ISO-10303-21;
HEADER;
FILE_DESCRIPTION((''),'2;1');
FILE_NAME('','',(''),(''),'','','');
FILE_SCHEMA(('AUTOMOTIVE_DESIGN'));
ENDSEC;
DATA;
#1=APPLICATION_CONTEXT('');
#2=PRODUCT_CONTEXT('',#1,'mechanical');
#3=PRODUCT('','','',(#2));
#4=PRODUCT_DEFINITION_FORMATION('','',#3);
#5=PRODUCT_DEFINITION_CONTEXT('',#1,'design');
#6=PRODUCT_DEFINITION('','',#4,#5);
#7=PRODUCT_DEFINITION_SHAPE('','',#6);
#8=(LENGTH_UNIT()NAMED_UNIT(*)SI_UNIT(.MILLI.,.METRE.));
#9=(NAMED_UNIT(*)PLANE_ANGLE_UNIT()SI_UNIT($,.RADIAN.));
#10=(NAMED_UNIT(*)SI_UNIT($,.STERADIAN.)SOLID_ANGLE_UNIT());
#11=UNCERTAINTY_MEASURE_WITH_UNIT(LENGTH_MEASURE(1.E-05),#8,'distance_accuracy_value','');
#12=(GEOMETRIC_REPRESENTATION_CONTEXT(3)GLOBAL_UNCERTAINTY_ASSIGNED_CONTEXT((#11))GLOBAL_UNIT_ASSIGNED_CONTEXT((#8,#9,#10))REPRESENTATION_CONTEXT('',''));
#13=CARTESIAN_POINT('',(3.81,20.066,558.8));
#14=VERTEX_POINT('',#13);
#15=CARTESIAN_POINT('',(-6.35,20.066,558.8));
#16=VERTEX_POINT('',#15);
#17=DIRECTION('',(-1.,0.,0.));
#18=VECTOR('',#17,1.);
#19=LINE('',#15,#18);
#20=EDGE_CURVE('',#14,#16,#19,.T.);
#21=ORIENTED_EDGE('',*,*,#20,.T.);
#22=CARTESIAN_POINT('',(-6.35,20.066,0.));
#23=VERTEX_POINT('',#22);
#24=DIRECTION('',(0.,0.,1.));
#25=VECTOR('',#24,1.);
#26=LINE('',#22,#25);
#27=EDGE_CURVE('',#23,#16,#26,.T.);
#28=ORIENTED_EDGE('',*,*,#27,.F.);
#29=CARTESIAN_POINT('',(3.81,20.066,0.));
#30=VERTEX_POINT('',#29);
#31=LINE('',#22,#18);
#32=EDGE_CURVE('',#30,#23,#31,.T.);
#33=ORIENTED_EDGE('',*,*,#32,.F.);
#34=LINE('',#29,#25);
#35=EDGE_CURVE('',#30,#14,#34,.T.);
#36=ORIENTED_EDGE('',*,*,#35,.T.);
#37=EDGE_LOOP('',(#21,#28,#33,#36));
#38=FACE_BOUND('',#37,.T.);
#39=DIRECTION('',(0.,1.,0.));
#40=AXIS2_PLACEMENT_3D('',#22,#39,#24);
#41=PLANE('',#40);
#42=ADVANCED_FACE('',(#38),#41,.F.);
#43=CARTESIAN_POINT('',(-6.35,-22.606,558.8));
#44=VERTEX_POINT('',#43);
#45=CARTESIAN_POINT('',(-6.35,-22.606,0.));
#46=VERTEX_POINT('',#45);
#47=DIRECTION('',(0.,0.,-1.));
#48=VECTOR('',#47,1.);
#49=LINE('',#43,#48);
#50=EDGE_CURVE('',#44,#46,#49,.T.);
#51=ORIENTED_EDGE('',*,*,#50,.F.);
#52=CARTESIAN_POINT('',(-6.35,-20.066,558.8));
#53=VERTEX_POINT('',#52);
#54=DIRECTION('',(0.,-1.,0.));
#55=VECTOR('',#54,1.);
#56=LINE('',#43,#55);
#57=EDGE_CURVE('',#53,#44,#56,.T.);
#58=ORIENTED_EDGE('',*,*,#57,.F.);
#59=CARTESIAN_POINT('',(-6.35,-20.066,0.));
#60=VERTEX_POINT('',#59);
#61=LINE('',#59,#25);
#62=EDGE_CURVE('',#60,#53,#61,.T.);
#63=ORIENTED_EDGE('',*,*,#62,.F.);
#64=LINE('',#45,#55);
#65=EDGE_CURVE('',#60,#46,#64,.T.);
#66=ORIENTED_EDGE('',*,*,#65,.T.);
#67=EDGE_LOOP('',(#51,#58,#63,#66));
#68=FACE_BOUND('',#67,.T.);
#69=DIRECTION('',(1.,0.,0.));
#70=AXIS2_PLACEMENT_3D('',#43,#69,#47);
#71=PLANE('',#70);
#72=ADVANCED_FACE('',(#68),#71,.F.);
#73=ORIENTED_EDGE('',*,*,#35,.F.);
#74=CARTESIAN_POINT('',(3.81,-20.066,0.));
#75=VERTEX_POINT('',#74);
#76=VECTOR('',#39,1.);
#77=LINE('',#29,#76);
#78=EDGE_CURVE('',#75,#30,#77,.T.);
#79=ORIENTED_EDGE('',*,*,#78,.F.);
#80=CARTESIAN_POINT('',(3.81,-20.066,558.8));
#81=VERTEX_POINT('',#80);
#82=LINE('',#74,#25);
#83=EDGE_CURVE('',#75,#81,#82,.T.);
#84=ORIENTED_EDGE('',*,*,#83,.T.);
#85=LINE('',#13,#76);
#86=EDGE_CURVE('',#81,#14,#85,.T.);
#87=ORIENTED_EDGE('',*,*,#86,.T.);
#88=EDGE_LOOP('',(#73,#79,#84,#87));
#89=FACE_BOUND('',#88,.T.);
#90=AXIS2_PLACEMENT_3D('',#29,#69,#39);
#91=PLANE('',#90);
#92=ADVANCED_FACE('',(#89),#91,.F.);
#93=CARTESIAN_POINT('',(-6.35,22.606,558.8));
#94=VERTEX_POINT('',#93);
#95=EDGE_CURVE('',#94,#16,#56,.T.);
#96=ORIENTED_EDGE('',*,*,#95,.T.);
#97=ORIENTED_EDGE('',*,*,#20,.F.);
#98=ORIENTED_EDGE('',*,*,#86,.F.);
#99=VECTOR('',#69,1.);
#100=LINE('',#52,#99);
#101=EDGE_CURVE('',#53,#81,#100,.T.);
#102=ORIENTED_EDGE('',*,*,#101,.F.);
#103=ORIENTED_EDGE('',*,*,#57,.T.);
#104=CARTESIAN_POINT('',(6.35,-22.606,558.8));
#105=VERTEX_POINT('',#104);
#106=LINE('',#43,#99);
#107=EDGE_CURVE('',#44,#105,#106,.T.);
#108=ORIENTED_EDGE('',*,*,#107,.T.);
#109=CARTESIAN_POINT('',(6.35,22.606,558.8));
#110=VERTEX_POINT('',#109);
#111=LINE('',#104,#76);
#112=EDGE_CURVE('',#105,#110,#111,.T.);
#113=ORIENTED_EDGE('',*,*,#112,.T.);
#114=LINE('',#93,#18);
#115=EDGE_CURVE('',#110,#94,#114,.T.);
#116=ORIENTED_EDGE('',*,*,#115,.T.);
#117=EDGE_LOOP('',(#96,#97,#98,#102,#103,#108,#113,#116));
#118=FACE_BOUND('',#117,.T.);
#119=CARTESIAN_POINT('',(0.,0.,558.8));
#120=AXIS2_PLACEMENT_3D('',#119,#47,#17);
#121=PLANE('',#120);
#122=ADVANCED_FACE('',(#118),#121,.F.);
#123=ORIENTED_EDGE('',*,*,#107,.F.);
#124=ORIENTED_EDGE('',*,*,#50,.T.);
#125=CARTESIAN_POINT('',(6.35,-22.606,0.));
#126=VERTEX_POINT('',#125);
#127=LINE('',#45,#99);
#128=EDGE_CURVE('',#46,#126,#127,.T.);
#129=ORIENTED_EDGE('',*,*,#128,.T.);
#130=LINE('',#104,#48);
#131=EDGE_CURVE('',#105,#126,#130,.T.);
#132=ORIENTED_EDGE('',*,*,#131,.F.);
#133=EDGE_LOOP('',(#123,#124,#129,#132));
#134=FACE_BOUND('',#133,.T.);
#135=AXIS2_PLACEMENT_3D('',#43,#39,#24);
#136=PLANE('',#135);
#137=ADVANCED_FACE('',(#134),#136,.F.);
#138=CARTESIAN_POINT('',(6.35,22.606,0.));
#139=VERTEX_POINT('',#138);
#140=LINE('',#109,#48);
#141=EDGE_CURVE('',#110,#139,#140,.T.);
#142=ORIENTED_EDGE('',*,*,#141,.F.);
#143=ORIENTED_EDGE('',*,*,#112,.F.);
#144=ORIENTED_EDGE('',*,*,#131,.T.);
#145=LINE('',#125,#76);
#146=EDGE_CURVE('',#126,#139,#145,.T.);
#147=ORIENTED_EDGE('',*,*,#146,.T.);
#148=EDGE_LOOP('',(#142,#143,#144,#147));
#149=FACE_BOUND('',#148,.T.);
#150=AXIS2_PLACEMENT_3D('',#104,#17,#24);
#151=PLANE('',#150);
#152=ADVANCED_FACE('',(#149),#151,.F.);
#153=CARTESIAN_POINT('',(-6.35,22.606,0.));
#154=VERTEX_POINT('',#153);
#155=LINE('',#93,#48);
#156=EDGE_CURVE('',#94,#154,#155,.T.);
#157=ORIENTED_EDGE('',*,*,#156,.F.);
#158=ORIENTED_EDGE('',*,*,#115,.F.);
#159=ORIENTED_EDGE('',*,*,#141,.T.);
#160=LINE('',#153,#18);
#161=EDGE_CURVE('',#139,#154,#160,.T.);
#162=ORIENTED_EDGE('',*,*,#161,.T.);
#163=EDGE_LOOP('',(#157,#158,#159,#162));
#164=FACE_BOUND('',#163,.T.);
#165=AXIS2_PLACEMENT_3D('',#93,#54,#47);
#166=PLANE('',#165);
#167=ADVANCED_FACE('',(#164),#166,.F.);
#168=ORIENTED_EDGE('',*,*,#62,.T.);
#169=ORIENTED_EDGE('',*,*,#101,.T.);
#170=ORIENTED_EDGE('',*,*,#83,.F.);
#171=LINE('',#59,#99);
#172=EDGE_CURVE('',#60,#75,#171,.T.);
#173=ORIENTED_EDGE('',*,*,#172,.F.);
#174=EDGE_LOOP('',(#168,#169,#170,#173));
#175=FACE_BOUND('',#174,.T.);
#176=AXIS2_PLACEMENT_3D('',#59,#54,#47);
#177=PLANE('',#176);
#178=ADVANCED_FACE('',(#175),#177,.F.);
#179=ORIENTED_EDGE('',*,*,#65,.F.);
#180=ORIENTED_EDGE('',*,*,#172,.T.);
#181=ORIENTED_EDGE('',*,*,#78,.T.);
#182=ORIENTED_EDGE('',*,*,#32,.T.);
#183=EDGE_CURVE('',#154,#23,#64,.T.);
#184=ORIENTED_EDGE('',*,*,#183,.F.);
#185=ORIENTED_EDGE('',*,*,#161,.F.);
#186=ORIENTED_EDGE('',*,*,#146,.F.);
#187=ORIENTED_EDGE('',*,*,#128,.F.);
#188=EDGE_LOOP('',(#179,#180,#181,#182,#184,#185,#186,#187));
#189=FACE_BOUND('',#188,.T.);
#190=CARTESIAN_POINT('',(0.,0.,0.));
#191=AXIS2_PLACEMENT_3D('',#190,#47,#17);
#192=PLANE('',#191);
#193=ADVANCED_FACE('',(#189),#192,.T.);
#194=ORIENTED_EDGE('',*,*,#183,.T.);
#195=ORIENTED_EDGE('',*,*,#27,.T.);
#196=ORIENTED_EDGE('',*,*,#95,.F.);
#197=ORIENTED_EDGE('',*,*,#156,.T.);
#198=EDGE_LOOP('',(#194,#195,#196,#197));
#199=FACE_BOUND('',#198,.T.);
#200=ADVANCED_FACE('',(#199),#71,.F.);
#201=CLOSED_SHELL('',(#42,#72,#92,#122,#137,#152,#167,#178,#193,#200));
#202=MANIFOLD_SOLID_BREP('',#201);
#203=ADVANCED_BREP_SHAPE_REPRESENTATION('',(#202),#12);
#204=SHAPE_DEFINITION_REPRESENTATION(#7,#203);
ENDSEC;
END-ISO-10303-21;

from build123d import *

# Parameters (mm, degrees)
SKETCH1_W           = 12.7
SKETCH1_H           = 45.212
BOSS_EXTRUDE1_DEPTH = 558.8
SKETCH2_W           = 10.16
SKETCH2_H           = 40.132
CUT_EXTRUDE1_DEPTH  = 560.293119693


with BuildPart() as part:
    # Sketch1 → Boss-Extrude1 (new body)
    with BuildSketch(Plane.XY):
        Rectangle(SKETCH1_W, SKETCH1_H)
    extrude(amount=BOSS_EXTRUDE1_DEPTH)

    # Sketch2 → Cut-Extrude1 (cut, through all)
    with BuildSketch(Plane.XY.offset(558.8)):
        with Locations((-1.27, 0)):
            Rectangle(SKETCH2_W, SKETCH2_H)
    extrude(amount=-CUT_EXTRUDE1_DEPTH, mode=Mode.SUBTRACT)


solid = part.part
